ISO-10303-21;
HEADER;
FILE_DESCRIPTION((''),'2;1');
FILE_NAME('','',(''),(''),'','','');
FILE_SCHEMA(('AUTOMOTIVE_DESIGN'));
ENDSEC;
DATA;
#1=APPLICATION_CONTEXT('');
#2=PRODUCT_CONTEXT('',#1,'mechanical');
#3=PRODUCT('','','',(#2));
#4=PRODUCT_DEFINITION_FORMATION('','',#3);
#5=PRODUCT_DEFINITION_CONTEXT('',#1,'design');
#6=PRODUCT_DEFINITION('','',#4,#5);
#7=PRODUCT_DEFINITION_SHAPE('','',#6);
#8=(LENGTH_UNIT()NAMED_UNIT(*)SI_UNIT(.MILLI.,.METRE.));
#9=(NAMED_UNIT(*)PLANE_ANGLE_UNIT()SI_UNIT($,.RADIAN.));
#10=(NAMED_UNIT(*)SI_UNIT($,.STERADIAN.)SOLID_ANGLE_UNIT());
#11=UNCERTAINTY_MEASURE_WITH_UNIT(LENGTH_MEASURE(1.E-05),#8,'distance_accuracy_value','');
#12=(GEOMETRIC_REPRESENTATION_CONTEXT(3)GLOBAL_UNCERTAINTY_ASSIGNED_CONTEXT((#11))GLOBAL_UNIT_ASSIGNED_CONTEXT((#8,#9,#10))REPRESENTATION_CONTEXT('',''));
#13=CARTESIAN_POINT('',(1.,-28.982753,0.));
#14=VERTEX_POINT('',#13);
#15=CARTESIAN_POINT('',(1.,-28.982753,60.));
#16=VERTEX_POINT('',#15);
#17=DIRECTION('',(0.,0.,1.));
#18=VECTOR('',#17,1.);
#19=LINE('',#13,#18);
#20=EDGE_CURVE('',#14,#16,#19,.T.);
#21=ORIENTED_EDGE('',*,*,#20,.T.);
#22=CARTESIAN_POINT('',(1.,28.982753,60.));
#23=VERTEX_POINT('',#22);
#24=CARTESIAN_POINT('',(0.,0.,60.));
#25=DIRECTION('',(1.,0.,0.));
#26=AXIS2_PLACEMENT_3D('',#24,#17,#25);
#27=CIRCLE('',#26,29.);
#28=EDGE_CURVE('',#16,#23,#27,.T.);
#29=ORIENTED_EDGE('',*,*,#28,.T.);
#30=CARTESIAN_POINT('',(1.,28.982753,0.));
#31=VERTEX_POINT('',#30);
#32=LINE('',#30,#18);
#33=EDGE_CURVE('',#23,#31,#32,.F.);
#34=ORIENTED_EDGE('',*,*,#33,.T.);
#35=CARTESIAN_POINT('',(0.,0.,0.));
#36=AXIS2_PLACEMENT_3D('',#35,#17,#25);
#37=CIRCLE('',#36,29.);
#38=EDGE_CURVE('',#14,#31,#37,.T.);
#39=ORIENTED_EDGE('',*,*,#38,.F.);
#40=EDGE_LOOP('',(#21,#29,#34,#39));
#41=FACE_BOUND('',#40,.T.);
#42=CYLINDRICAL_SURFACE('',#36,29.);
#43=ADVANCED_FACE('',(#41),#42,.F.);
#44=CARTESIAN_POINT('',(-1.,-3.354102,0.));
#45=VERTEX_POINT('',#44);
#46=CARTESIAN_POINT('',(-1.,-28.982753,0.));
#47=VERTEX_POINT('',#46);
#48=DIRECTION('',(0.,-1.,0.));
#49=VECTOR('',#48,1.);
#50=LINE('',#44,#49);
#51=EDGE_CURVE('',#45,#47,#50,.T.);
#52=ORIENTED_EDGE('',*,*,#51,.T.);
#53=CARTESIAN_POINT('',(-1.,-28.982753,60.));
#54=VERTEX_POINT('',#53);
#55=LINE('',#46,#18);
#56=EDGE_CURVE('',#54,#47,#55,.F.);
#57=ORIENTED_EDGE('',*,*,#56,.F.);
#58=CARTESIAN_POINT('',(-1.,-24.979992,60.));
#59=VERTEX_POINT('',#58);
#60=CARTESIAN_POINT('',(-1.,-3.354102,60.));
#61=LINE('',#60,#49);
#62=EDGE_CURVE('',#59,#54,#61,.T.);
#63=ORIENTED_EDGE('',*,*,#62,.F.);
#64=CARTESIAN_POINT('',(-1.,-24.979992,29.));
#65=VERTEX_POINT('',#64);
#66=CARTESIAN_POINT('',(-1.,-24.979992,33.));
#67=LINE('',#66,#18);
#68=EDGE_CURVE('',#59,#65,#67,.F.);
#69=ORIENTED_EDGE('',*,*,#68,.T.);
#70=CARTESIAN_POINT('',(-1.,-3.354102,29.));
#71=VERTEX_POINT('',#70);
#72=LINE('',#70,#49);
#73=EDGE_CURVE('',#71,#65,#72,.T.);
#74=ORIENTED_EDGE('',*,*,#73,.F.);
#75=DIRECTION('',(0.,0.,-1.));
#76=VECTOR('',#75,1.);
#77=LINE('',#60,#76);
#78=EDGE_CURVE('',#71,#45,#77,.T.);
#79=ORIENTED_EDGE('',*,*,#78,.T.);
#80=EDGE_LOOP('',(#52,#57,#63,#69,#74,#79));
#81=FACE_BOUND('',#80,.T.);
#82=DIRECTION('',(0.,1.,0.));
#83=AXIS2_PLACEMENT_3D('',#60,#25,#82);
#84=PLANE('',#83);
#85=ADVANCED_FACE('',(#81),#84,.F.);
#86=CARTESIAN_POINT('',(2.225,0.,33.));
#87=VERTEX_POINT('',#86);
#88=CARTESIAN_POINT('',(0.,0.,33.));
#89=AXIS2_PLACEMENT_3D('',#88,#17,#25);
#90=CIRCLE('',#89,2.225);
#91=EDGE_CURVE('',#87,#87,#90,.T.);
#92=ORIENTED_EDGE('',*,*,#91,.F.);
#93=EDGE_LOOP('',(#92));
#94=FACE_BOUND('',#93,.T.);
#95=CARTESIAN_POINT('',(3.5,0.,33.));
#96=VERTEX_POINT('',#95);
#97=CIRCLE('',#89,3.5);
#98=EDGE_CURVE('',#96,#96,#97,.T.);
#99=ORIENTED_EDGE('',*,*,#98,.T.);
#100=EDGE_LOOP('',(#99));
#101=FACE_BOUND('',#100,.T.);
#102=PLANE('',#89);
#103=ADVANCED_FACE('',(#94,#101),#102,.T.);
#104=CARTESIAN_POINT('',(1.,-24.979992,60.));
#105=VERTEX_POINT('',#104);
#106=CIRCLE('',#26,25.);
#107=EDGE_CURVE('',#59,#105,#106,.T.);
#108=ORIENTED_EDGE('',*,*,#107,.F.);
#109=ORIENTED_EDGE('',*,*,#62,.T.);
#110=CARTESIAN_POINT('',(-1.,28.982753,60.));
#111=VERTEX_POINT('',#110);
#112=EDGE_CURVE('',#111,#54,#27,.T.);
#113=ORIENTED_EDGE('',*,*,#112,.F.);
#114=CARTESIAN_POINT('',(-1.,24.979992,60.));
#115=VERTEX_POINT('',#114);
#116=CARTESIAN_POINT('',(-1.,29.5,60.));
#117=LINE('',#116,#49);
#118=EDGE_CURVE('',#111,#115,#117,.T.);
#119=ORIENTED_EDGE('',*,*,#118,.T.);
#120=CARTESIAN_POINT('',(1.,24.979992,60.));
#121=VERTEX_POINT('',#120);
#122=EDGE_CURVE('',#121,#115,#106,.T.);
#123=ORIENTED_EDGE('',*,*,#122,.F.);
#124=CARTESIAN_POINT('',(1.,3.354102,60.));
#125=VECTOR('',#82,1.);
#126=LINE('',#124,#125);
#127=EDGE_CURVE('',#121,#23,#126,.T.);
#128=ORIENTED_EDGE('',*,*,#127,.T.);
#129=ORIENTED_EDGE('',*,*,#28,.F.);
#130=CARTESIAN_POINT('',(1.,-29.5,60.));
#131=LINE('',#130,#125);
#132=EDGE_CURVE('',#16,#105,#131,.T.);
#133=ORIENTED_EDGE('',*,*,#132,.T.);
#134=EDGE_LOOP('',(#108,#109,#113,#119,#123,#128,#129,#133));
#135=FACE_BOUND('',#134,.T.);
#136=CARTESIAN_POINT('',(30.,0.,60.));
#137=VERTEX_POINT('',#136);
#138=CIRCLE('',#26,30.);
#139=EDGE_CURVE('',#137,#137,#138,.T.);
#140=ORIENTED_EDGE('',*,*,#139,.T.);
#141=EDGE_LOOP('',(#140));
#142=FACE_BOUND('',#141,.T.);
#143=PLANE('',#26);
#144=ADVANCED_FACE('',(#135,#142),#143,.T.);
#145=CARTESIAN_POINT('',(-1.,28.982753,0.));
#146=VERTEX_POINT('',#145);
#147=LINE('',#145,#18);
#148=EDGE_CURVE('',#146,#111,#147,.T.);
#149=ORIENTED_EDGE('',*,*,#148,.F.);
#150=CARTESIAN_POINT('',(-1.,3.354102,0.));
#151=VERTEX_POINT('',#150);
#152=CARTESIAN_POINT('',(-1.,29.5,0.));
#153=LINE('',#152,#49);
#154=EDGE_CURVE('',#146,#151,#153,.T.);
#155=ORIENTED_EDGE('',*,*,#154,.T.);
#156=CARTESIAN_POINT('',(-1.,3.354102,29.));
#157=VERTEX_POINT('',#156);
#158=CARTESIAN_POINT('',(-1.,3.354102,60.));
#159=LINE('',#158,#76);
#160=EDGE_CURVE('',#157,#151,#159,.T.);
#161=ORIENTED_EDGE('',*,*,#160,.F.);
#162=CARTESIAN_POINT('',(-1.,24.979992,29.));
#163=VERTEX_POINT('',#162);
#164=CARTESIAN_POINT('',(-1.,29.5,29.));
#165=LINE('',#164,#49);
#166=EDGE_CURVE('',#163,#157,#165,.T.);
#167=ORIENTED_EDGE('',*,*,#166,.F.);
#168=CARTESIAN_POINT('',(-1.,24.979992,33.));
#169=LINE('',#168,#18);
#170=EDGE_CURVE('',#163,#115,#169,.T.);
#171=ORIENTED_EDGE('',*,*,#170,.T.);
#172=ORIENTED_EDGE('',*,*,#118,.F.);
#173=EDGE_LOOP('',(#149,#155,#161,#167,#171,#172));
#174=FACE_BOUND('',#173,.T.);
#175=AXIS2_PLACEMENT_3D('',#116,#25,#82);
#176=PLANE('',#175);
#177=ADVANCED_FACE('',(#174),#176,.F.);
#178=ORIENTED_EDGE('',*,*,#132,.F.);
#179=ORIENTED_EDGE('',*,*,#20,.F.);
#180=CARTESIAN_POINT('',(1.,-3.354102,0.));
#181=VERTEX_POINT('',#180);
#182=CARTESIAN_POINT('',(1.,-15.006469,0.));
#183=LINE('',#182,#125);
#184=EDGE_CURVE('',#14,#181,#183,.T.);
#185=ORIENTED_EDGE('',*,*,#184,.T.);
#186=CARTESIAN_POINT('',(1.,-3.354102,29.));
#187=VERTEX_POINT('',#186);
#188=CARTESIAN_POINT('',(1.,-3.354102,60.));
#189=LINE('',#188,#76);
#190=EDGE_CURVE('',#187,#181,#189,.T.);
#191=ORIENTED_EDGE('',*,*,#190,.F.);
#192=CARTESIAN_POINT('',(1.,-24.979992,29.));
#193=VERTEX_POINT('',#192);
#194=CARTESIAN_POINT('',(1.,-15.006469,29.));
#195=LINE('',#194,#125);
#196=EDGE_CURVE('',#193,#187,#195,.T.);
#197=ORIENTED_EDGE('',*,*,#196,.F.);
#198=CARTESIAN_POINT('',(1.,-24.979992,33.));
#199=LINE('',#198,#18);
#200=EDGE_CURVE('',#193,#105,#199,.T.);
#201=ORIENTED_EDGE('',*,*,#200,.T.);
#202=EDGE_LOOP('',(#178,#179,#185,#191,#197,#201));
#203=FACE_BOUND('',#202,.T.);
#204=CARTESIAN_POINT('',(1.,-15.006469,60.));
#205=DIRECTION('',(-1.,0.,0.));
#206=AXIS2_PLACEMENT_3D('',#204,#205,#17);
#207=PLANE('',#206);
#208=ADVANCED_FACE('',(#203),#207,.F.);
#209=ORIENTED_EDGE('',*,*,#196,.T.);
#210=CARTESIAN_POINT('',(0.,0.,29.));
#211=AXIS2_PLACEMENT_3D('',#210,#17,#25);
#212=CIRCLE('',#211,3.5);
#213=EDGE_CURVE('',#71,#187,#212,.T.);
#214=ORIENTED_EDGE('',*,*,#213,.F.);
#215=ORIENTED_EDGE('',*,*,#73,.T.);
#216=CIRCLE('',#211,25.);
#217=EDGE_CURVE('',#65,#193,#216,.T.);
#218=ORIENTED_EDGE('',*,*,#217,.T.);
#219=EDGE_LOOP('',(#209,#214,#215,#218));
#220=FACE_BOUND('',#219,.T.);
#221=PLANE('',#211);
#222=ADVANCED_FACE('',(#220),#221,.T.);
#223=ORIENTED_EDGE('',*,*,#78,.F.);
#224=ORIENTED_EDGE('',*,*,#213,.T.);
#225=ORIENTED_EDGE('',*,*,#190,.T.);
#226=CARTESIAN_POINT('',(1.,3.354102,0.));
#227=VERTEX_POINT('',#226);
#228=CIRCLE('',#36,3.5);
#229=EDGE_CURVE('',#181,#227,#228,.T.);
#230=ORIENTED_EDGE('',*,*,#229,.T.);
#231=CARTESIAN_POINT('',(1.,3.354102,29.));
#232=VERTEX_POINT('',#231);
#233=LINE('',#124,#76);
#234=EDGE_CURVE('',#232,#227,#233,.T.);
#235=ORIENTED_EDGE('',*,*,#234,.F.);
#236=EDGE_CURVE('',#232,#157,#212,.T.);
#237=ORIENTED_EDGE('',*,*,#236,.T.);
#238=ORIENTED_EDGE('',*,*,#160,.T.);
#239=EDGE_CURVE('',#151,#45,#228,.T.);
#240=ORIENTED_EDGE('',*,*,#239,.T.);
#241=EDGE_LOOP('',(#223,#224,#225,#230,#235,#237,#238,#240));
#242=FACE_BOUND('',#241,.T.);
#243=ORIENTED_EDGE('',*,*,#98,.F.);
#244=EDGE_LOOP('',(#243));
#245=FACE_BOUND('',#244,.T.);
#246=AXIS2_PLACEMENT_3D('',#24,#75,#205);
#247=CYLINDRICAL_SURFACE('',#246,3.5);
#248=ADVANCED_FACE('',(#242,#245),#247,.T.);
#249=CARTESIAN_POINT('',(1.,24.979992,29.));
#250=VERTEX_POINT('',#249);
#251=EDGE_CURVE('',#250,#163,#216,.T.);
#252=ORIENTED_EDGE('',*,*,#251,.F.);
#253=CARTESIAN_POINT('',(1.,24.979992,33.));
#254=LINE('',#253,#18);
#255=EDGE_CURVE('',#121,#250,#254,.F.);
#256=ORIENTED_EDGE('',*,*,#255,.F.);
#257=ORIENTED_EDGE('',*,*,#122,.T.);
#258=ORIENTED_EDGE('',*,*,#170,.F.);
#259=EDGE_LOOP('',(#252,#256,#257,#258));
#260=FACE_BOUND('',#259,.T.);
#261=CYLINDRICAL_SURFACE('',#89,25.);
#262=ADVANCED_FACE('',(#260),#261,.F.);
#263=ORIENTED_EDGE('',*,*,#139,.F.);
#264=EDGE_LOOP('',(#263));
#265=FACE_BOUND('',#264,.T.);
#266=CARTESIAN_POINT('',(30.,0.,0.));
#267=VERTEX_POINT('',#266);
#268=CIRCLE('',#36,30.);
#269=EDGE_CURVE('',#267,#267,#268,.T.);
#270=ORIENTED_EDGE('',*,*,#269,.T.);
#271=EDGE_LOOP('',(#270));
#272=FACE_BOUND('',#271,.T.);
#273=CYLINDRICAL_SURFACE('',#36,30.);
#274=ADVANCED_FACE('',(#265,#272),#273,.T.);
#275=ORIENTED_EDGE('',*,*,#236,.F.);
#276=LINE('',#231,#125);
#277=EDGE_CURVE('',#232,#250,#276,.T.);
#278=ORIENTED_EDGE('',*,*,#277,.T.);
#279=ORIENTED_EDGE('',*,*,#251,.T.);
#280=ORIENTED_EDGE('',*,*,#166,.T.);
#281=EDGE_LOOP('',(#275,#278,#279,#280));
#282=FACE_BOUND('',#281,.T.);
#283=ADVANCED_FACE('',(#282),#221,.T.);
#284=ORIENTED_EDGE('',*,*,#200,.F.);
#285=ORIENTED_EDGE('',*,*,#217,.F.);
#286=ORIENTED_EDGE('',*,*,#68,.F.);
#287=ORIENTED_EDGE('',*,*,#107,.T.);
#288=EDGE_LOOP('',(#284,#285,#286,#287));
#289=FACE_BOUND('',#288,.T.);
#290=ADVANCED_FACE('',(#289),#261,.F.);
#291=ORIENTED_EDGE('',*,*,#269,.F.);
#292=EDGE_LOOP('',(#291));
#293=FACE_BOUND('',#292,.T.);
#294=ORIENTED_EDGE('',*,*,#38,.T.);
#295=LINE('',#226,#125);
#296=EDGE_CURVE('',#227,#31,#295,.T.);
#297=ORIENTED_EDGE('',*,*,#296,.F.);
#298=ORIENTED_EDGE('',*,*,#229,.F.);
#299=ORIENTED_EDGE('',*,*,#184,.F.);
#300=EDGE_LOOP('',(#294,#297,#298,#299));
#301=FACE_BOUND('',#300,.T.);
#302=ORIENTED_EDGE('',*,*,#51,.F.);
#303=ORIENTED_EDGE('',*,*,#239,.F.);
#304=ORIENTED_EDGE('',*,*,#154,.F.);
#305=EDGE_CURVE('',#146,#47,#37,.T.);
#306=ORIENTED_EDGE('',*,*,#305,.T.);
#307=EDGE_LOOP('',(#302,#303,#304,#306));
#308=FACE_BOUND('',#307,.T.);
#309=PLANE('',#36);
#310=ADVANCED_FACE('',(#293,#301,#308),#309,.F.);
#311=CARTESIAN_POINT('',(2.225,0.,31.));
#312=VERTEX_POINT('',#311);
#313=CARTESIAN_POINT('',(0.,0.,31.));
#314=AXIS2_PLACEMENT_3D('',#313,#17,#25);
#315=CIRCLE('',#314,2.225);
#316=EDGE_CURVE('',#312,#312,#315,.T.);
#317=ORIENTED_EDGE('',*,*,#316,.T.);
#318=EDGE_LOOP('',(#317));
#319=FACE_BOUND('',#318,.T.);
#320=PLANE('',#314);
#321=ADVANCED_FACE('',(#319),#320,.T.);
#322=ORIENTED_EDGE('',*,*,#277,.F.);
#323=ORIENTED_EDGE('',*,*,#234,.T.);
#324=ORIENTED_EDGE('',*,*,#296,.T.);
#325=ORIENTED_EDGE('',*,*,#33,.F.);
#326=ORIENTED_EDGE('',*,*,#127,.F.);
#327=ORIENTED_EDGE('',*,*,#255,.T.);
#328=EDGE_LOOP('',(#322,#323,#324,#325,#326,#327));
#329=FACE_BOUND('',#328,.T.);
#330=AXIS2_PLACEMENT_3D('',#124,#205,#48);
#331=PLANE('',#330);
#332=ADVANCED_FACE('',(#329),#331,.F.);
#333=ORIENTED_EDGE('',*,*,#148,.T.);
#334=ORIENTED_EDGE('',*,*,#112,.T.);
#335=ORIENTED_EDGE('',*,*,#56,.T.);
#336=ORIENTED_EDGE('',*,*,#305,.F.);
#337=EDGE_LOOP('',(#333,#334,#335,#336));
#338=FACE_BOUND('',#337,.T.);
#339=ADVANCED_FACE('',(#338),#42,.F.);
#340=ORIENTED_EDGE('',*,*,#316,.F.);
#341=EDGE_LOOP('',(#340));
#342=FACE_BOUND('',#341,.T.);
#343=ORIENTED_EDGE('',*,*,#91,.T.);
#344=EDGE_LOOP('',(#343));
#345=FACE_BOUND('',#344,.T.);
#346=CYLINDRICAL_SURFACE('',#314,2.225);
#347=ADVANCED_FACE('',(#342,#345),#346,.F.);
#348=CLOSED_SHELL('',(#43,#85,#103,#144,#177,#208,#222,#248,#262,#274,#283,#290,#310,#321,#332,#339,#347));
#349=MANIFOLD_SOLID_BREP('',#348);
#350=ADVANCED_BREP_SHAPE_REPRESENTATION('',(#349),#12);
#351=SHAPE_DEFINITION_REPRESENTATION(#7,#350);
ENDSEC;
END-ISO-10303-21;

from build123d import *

# Parameters (mm, degrees)
BOSS_EXTRU_1_DEPTH      = 60
ESQUISSE2_R             = 30
ESQUISSE2_R_2           = 29
BOSS_EXTRU_2_DEPTH      = 60
ESQUISSE3_R             = 25
ENL_V_MAT_EXTRU_1_DEPTH = 27
ESQUISSE6_R             = 2.225
ENL_V_MAT_EXTRU_3_DEPTH = 2
ESQUISSE11_R            = 25
ESQUISSE11_R_2          = 3.5
ENL_V_MAT_EXTRU_8_DEPTH = 31


with BuildPart() as part:
    # Esquisse1 → Boss.-Extru.1 (new body)
    with BuildSketch(Plane.XY):
        with BuildLine():
            Line((1, -15.006468588), (1, -3.354101966))
            ThreePointArc((1, -3.354101966), (3.5, 0), (1, 3.354101966))
            Line((1, 3.354101966), (1, 29.5))
            Line((1, 29.5), (-1, 29.5))
            Line((-1, 29.5), (-1, 3.354101966))
            ThreePointArc((-1, 3.354101966), (-3.5, 0), (-1, -3.354101966))
            Line((-1, -3.354101966), (-1, -29.5))
            Line((-1, -29.5), (1, -29.5))
            Line((1, -29.5), (1, -15.006468588))
        make_face()
    extrude(amount=BOSS_EXTRU_1_DEPTH)

    # Esquisse2 → Boss.-Extru.2 (add)
    with BuildSketch(Plane.XY.offset(60)):
        Circle(ESQUISSE2_R)
        Circle(ESQUISSE2_R_2, mode=Mode.SUBTRACT)
    extrude(amount=-BOSS_EXTRU_2_DEPTH)

    # Esquisse3 → Enlèv. mat.-Extru.1 (cut)
    with BuildSketch(Plane.XY.offset(60)):
        Circle(ESQUISSE3_R)
    extrude(amount=-ENL_V_MAT_EXTRU_1_DEPTH, mode=Mode.SUBTRACT)

    # Esquisse6 → Enlèv. mat.-Extru.3 (cut)
    with BuildSketch(Plane.XY.offset(33)):
        Circle(ESQUISSE6_R)
    extrude(amount=-ENL_V_MAT_EXTRU_3_DEPTH, mode=Mode.SUBTRACT)

    # Esquisse11 → Enlèv. mat.-Extru.8 (cut)
    with BuildSketch(Plane.XY.offset(60)):
        Circle(ESQUISSE11_R)
        Circle(ESQUISSE11_R_2, mode=Mode.SUBTRACT)
    extrude(amount=-ENL_V_MAT_EXTRU_8_DEPTH, mode=Mode.SUBTRACT)


solid = part.part
